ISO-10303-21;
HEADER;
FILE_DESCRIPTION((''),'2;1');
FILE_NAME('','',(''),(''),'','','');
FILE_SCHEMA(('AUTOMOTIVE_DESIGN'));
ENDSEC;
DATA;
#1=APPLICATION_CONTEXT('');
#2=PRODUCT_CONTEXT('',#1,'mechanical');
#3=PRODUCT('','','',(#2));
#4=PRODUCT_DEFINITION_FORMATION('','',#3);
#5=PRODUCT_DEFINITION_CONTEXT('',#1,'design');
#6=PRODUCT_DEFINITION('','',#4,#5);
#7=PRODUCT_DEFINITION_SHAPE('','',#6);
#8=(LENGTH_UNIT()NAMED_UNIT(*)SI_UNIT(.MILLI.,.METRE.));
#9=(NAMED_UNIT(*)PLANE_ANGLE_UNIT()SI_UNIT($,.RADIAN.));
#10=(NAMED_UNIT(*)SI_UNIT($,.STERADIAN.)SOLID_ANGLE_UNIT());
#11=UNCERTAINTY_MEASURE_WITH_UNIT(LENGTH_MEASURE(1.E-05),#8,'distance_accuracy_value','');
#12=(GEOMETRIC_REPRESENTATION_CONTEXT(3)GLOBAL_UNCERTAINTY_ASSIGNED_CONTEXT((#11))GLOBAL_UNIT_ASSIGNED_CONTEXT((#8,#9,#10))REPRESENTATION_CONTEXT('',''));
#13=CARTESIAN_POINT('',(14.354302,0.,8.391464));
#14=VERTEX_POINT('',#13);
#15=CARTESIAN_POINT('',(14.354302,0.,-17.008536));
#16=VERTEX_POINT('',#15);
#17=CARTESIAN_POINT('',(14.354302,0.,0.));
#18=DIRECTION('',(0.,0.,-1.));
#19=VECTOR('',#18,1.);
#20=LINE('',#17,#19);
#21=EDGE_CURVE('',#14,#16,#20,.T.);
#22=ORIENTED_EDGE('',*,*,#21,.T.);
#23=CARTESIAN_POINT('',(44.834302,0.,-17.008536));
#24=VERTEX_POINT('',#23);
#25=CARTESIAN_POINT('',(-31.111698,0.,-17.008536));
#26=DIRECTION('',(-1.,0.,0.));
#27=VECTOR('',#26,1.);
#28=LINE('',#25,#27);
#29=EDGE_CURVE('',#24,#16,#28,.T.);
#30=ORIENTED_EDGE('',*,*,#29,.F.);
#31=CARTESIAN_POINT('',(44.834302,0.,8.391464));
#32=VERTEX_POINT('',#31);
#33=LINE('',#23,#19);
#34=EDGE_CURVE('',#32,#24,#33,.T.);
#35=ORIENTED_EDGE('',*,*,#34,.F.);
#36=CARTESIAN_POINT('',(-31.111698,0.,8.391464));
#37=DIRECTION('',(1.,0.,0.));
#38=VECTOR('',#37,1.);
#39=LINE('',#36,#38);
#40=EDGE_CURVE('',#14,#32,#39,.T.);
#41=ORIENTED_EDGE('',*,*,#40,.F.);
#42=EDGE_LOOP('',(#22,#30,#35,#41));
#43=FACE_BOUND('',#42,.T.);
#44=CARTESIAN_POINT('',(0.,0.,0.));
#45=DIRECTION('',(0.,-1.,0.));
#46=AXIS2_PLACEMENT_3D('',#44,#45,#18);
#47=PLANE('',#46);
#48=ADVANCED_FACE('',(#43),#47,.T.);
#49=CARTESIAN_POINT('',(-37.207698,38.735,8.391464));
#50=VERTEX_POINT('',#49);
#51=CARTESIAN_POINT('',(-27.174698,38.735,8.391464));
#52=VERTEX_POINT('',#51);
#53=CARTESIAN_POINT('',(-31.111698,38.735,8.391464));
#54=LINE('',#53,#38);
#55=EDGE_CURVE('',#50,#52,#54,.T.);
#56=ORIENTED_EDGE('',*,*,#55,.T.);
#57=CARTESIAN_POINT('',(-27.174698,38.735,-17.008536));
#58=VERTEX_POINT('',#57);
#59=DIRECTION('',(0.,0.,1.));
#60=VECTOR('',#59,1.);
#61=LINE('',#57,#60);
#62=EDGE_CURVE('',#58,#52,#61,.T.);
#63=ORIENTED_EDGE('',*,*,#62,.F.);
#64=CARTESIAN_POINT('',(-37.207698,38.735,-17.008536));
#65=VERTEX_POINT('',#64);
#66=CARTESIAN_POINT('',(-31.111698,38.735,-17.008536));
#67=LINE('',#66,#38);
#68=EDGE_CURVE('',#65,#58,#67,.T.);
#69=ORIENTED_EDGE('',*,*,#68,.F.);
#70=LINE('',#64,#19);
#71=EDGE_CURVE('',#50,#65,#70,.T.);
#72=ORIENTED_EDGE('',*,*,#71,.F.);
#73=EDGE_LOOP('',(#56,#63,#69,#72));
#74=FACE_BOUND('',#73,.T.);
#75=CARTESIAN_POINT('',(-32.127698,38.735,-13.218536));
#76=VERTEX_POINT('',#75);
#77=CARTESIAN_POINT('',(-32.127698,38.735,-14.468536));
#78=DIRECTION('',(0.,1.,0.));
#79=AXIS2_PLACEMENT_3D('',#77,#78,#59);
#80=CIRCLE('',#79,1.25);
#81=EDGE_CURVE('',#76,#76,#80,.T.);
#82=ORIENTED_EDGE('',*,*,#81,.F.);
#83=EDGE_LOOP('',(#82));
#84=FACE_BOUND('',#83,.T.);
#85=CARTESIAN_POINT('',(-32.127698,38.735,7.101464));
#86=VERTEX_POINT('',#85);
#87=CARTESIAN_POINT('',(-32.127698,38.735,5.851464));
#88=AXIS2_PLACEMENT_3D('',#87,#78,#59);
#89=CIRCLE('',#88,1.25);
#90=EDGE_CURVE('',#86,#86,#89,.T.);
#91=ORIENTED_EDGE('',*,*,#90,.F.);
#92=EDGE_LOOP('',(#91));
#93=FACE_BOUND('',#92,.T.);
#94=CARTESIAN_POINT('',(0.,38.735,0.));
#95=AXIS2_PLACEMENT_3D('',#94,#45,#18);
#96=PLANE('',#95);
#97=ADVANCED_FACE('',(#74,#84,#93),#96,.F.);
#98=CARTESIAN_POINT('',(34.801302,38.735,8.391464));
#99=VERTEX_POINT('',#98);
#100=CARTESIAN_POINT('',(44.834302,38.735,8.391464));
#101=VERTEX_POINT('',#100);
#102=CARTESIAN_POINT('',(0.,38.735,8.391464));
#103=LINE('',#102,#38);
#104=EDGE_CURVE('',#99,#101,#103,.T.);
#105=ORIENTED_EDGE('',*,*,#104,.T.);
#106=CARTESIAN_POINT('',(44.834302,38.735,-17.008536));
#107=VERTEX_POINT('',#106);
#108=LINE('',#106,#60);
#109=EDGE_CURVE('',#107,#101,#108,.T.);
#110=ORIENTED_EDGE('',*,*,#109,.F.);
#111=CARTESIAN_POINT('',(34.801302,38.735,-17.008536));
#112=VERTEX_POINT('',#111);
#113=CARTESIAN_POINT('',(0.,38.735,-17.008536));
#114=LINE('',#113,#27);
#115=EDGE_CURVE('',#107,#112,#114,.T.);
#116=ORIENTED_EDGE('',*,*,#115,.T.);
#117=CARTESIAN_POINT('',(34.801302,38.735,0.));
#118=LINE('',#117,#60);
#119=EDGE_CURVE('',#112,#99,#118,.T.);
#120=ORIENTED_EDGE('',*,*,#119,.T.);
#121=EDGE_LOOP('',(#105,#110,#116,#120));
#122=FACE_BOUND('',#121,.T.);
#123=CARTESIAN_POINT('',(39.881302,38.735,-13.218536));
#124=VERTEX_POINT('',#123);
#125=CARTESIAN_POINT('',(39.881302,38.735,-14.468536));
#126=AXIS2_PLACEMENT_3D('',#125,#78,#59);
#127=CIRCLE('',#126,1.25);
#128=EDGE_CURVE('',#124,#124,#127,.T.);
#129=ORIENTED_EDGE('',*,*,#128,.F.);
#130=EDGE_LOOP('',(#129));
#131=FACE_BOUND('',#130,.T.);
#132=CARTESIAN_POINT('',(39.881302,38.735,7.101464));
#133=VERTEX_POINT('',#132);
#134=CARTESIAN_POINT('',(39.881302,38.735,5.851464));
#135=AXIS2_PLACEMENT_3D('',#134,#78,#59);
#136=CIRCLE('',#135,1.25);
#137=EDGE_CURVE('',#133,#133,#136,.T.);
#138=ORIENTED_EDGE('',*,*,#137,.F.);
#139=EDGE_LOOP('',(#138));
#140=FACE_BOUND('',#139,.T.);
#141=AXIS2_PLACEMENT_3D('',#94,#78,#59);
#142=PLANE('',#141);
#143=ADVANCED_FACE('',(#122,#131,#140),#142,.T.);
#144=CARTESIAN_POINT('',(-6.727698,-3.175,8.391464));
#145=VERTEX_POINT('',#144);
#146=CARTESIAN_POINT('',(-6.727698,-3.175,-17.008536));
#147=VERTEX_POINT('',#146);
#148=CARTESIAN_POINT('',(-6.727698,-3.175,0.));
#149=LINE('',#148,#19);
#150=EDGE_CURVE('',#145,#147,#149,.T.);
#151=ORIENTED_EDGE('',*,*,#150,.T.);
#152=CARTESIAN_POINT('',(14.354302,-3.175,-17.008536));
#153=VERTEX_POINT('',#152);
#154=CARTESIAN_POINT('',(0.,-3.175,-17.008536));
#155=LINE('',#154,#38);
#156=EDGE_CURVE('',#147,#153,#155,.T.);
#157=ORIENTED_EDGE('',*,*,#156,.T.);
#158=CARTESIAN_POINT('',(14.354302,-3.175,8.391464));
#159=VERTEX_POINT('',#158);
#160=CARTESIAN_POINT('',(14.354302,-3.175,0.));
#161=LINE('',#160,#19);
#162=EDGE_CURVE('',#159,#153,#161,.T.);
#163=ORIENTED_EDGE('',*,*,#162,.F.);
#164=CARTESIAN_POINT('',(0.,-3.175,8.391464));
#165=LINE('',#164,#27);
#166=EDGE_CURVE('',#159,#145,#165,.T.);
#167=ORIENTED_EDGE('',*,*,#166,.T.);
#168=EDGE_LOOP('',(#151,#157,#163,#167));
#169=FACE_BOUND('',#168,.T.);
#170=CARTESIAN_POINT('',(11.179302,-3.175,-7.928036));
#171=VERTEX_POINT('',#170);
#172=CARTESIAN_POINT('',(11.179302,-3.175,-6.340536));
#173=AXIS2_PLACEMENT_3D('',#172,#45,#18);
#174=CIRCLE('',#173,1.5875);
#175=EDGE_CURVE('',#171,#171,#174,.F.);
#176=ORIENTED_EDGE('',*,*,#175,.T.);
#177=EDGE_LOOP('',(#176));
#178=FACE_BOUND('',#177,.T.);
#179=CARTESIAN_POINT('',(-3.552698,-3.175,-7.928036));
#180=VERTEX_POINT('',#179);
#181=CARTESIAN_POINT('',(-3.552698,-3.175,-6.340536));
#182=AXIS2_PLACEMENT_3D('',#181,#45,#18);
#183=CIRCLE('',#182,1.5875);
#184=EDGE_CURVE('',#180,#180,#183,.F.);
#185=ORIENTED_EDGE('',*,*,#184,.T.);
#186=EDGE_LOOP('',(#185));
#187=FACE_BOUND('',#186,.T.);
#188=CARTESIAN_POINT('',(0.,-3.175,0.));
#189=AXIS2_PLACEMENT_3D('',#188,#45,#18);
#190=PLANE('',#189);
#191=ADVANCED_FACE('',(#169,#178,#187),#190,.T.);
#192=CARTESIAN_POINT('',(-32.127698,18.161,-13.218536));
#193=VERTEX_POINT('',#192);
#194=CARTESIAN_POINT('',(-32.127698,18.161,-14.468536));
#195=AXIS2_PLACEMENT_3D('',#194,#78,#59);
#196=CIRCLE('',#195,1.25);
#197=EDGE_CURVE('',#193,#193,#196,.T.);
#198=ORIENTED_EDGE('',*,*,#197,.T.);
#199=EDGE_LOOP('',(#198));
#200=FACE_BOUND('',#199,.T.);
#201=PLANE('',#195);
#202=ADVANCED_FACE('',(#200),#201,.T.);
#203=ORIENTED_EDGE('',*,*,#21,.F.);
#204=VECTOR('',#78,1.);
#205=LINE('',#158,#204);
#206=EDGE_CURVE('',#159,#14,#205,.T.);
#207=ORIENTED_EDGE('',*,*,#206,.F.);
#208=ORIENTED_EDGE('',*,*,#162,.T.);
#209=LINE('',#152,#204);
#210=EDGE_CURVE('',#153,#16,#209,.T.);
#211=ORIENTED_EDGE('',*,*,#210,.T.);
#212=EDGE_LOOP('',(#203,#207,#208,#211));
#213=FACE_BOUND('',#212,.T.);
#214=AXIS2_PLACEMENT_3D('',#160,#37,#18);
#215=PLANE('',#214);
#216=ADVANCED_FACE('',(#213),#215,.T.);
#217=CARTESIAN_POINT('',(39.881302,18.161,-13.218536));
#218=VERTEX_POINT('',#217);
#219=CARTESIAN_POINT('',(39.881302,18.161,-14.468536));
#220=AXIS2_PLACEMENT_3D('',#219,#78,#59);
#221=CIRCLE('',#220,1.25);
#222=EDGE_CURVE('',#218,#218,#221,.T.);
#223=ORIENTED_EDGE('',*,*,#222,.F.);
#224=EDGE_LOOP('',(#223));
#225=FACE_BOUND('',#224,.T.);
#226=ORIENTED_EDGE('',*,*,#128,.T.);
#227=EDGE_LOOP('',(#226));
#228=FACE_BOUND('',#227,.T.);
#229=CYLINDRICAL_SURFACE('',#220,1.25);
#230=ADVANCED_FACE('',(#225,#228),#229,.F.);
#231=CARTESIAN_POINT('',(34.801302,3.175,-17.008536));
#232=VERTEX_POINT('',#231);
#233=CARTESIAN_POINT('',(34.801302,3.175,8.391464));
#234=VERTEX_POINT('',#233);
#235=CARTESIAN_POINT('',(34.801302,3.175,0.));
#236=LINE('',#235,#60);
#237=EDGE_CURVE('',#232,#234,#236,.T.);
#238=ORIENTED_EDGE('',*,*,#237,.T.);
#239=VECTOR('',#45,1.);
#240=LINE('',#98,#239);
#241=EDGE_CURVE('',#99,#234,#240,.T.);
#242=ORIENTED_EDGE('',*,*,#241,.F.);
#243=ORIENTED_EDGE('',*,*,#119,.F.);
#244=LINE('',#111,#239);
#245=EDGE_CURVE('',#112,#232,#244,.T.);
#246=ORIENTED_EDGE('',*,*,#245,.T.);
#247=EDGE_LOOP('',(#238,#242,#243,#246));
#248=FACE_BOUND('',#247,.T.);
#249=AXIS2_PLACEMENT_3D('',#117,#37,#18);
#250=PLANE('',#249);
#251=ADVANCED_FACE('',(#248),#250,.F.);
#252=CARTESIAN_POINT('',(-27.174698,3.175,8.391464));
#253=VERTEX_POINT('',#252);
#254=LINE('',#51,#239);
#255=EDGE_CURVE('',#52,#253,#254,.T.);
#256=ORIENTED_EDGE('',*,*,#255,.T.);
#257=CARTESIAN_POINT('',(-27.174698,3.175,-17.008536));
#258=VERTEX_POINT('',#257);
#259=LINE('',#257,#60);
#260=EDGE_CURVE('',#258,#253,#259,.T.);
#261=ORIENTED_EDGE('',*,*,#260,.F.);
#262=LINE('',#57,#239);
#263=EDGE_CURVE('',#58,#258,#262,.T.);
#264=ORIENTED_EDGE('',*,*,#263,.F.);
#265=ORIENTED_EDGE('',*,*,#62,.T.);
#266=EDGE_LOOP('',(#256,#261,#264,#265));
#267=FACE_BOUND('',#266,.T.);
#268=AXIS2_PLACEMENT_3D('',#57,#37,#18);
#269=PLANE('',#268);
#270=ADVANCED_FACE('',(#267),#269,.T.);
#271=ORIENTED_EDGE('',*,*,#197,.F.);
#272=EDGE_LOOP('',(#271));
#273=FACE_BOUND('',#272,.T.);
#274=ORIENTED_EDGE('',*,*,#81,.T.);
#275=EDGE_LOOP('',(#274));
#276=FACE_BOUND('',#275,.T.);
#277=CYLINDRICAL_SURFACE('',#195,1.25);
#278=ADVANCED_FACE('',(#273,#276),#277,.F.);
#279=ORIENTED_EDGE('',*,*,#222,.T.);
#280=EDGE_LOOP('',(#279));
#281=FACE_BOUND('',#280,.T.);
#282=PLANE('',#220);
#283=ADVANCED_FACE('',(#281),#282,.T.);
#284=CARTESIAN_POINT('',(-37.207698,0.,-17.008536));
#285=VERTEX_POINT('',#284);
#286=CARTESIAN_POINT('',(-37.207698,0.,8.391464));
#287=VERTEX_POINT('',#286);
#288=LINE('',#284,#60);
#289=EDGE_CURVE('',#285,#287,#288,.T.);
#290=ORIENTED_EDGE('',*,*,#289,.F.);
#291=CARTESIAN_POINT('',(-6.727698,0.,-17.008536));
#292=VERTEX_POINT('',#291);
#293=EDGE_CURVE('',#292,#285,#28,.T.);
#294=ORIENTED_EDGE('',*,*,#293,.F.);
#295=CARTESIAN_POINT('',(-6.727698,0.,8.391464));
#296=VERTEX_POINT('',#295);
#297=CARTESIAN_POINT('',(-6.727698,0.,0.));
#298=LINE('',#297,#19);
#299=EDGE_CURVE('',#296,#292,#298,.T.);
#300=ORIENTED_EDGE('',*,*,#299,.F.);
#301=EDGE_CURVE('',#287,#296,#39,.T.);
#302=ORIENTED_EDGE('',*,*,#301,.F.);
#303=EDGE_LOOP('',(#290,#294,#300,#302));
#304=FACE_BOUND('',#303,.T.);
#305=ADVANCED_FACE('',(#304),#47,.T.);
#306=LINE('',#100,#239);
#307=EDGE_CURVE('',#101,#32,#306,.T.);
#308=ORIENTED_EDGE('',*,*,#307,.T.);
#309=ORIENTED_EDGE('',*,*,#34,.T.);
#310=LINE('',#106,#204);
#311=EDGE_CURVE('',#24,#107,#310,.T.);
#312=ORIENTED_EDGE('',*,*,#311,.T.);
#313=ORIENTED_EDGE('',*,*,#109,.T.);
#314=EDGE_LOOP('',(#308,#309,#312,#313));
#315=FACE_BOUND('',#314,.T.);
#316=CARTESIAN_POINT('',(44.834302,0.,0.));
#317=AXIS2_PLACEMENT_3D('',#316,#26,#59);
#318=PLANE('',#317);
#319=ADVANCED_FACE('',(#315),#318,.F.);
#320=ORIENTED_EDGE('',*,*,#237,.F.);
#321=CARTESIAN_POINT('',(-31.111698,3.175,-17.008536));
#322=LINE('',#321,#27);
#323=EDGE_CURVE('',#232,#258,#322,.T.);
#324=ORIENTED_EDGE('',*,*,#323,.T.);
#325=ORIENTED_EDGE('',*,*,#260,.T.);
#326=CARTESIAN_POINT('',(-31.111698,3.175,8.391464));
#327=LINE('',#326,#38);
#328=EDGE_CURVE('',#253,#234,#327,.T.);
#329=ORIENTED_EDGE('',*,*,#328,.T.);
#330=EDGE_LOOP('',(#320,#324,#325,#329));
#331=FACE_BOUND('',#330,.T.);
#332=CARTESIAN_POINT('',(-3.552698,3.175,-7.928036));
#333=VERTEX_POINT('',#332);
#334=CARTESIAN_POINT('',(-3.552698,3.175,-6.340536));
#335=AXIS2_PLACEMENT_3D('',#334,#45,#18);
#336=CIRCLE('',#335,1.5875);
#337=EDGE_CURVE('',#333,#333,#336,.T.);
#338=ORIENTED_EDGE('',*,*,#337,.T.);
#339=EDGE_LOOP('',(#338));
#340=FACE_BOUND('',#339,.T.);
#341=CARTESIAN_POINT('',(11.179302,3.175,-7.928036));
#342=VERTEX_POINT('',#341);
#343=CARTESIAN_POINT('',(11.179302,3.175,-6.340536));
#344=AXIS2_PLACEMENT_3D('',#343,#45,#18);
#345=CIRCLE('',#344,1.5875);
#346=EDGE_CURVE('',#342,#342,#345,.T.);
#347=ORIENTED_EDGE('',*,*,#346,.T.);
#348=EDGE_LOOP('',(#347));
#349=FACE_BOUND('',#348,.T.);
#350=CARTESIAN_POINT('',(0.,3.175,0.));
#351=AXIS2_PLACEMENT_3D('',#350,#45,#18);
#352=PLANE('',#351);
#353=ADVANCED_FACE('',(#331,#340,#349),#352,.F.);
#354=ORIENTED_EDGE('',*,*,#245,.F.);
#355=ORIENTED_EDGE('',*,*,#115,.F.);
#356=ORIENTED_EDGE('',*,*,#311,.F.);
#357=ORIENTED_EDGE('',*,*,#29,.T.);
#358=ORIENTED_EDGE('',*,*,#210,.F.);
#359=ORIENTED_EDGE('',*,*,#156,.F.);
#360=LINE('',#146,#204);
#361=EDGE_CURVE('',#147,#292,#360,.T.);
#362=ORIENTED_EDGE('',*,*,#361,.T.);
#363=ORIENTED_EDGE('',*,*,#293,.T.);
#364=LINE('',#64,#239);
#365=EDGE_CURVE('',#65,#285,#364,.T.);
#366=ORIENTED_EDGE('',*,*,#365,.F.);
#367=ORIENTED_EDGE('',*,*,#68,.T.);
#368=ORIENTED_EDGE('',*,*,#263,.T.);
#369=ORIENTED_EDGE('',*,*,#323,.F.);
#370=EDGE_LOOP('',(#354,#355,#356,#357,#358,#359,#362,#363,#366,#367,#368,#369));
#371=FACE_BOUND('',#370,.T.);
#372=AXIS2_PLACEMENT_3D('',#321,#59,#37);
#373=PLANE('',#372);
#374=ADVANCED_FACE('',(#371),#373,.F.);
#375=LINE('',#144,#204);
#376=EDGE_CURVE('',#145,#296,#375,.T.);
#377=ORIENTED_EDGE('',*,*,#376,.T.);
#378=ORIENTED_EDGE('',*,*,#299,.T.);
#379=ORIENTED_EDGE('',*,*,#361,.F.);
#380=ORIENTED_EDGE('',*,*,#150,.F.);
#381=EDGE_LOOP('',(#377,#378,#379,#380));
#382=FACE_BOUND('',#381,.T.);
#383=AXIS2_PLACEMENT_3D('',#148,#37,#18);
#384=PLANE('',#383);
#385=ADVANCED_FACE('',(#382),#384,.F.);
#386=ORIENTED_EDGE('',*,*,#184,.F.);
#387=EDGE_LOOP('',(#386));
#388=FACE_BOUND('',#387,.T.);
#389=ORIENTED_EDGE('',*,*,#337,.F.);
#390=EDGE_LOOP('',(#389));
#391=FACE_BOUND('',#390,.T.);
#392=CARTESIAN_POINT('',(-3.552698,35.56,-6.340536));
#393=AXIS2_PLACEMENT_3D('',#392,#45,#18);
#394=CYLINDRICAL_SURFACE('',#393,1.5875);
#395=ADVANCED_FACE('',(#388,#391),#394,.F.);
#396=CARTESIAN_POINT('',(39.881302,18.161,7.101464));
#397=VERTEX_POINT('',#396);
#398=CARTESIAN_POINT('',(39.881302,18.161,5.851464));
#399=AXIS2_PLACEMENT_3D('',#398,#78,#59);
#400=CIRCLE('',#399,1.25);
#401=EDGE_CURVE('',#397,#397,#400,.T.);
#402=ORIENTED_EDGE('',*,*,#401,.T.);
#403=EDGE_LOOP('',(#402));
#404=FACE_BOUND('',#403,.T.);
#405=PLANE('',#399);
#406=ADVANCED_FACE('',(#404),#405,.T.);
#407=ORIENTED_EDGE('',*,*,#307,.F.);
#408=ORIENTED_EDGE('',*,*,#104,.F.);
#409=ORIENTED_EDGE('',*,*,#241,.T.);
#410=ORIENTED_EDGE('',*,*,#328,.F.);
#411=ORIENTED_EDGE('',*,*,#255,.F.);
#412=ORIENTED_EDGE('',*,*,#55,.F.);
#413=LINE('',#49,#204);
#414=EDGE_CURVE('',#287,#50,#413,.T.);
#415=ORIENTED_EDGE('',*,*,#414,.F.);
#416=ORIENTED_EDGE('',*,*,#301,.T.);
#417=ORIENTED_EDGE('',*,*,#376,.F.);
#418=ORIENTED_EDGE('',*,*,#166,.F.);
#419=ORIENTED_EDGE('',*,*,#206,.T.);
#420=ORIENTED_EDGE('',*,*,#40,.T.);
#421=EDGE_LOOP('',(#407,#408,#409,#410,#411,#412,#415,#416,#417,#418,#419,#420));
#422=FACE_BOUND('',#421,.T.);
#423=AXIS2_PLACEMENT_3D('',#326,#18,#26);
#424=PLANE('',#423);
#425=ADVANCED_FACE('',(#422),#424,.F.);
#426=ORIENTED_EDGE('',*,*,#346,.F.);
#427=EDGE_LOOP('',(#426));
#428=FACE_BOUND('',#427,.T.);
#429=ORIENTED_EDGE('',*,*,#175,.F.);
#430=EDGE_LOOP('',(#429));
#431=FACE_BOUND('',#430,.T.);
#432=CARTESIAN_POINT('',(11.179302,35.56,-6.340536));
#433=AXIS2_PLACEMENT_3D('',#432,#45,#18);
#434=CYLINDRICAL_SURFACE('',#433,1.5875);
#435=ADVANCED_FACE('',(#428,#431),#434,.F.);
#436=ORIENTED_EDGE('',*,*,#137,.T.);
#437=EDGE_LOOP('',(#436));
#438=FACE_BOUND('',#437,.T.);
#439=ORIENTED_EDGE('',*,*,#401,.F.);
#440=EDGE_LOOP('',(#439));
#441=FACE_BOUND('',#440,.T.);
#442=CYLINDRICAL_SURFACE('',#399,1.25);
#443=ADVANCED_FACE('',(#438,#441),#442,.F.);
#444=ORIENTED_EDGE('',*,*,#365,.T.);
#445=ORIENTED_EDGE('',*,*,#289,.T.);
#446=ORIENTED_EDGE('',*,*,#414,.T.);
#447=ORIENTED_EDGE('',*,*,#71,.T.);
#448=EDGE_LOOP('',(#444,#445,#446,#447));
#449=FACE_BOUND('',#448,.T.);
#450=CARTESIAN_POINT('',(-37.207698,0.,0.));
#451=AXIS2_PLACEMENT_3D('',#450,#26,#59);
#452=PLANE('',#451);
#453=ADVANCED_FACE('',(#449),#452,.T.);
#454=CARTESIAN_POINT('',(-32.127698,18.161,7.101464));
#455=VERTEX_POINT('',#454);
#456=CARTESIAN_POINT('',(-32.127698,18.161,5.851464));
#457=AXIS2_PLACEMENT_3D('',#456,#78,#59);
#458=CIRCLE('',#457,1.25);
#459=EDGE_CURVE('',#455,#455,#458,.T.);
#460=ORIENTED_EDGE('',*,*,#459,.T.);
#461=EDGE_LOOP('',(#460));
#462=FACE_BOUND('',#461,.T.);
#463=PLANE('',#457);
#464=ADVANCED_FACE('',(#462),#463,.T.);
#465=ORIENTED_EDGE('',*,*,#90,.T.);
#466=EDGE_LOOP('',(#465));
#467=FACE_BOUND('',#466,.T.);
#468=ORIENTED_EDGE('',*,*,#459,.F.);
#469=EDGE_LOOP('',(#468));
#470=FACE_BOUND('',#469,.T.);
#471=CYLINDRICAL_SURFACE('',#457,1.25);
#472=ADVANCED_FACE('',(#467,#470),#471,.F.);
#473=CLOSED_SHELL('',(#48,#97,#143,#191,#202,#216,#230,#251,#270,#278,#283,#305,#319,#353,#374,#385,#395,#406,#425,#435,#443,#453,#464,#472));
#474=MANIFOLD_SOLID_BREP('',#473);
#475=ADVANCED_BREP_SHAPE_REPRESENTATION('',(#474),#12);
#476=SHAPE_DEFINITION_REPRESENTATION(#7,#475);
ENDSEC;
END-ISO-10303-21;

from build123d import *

# Parameters (mm, degrees)
SKETCH1_W           = 69.85
SKETCH1_H           = 25.4
BOSS_EXTRUDE1_DEPTH = 3.175
SKETCH2_W           = 3.937
SKETCH2_H           = 25.4
BOSS_EXTRUDE2_DEPTH = 35.56
SKETCH6_R           = 1.5875
CUT_EXTRUDE1_DEPTH  = 35.56
SKETCH10_W          = 25.4
SKETCH10_H          = 38.735
BOSS_EXTRUDE3_DEPTH = 6.096
SKETCH11_W          = 25.4
SKETCH11_H          = 38.735
BOSS_EXTRUDE4_DEPTH = 6.096
SKETCH14_R          = 1.25
CUT_EXTRUDE2_DEPTH  = 20.574
SKETCH15_W          = 21.082
SKETCH15_H          = 25.4
SKETCH15_R          = 1.5875
BOSS_EXTRUDE6_DEPTH = 3.175


with BuildPart() as part:
    # Sketch1 → Boss-Extrude1 (new body)
    with BuildSketch(Plane(origin=(0, 0, 0), x_dir=(1, 0, 0), z_dir=(0, 1, 0))):
        with Locations((3.81330156, 4.308535529)):
            Rectangle(SKETCH1_W, SKETCH1_H)
    extrude(amount=BOSS_EXTRUDE1_DEPTH)

    # Sketch2 → Boss-Extrude2 (add)
    with BuildSketch(Plane(origin=(0, 3.175, 0), x_dir=(1, 0, 0), z_dir=(0, 1, 0))):
        with Locations((-29.14319844, 4.308535529)):
            Rectangle(SKETCH2_W, SKETCH2_H)
        with Locations((36.76980156, 4.308535529)):
            Rectangle(SKETCH2_W, SKETCH2_H)
    extrude(amount=BOSS_EXTRUDE2_DEPTH)

    # Sketch6 → Cut-Extrude1 (cut)
    with BuildSketch(Plane.XZ):
        with Locations((-3.55269844, -6.340535529)):
            Circle(SKETCH6_R)
        with Locations((11.17930156, -6.340535529)):
            Circle(SKETCH6_R)
    extrude(amount=-CUT_EXTRUDE1_DEPTH, mode=Mode.SUBTRACT)

    # Sketch10 → Boss-Extrude3 (add)
    with BuildSketch(Plane.ZY.offset(31.11169844)):
        with Locations((-4.308535529, 19.3675)):
            Rectangle(SKETCH10_W, SKETCH10_H)
    extrude(amount=BOSS_EXTRUDE3_DEPTH)

    # Sketch11 → Boss-Extrude4 (add)
    with BuildSketch(Plane(origin=(38.73830156, 0, 0), x_dir=(0, 0, -1), z_dir=(1, 0, 0))):
        with Locations((4.308535529, 19.3675)):
            Rectangle(SKETCH11_W, SKETCH11_H)
    extrude(amount=BOSS_EXTRUDE4_DEPTH)

    # Sketch14 → Cut-Extrude2 (cut)
    with BuildSketch(Plane(origin=(0, 38.735, 0), x_dir=(1, 0, 0), z_dir=(0, 1, 0))):
        with Locations((-32.12769844, 14.468535529)):
            Circle(SKETCH14_R)
        with Locations((-32.12769844, -5.851464471)):
            Circle(SKETCH14_R)
        with Locations((39.88130156, 14.468535529)):
            Circle(SKETCH14_R)
        with Locations((39.88130156, -5.851464471)):
            Circle(SKETCH14_R)
    extrude(amount=-CUT_EXTRUDE2_DEPTH, mode=Mode.SUBTRACT)

    # Sketch15 → Boss-Extrude6 (add)
    with BuildSketch(Plane.XZ):
        with Locations((3.81330156, -4.308535529)):
            Rectangle(SKETCH15_W, SKETCH15_H)
        with Locations((-3.55269844, -6.340535529)):
            Circle(SKETCH15_R, mode=Mode.SUBTRACT)
        with Locations((11.17930156, -6.340535529)):
            Circle(SKETCH15_R, mode=Mode.SUBTRACT)
    extrude(amount=BOSS_EXTRUDE6_DEPTH)


solid = part.part
